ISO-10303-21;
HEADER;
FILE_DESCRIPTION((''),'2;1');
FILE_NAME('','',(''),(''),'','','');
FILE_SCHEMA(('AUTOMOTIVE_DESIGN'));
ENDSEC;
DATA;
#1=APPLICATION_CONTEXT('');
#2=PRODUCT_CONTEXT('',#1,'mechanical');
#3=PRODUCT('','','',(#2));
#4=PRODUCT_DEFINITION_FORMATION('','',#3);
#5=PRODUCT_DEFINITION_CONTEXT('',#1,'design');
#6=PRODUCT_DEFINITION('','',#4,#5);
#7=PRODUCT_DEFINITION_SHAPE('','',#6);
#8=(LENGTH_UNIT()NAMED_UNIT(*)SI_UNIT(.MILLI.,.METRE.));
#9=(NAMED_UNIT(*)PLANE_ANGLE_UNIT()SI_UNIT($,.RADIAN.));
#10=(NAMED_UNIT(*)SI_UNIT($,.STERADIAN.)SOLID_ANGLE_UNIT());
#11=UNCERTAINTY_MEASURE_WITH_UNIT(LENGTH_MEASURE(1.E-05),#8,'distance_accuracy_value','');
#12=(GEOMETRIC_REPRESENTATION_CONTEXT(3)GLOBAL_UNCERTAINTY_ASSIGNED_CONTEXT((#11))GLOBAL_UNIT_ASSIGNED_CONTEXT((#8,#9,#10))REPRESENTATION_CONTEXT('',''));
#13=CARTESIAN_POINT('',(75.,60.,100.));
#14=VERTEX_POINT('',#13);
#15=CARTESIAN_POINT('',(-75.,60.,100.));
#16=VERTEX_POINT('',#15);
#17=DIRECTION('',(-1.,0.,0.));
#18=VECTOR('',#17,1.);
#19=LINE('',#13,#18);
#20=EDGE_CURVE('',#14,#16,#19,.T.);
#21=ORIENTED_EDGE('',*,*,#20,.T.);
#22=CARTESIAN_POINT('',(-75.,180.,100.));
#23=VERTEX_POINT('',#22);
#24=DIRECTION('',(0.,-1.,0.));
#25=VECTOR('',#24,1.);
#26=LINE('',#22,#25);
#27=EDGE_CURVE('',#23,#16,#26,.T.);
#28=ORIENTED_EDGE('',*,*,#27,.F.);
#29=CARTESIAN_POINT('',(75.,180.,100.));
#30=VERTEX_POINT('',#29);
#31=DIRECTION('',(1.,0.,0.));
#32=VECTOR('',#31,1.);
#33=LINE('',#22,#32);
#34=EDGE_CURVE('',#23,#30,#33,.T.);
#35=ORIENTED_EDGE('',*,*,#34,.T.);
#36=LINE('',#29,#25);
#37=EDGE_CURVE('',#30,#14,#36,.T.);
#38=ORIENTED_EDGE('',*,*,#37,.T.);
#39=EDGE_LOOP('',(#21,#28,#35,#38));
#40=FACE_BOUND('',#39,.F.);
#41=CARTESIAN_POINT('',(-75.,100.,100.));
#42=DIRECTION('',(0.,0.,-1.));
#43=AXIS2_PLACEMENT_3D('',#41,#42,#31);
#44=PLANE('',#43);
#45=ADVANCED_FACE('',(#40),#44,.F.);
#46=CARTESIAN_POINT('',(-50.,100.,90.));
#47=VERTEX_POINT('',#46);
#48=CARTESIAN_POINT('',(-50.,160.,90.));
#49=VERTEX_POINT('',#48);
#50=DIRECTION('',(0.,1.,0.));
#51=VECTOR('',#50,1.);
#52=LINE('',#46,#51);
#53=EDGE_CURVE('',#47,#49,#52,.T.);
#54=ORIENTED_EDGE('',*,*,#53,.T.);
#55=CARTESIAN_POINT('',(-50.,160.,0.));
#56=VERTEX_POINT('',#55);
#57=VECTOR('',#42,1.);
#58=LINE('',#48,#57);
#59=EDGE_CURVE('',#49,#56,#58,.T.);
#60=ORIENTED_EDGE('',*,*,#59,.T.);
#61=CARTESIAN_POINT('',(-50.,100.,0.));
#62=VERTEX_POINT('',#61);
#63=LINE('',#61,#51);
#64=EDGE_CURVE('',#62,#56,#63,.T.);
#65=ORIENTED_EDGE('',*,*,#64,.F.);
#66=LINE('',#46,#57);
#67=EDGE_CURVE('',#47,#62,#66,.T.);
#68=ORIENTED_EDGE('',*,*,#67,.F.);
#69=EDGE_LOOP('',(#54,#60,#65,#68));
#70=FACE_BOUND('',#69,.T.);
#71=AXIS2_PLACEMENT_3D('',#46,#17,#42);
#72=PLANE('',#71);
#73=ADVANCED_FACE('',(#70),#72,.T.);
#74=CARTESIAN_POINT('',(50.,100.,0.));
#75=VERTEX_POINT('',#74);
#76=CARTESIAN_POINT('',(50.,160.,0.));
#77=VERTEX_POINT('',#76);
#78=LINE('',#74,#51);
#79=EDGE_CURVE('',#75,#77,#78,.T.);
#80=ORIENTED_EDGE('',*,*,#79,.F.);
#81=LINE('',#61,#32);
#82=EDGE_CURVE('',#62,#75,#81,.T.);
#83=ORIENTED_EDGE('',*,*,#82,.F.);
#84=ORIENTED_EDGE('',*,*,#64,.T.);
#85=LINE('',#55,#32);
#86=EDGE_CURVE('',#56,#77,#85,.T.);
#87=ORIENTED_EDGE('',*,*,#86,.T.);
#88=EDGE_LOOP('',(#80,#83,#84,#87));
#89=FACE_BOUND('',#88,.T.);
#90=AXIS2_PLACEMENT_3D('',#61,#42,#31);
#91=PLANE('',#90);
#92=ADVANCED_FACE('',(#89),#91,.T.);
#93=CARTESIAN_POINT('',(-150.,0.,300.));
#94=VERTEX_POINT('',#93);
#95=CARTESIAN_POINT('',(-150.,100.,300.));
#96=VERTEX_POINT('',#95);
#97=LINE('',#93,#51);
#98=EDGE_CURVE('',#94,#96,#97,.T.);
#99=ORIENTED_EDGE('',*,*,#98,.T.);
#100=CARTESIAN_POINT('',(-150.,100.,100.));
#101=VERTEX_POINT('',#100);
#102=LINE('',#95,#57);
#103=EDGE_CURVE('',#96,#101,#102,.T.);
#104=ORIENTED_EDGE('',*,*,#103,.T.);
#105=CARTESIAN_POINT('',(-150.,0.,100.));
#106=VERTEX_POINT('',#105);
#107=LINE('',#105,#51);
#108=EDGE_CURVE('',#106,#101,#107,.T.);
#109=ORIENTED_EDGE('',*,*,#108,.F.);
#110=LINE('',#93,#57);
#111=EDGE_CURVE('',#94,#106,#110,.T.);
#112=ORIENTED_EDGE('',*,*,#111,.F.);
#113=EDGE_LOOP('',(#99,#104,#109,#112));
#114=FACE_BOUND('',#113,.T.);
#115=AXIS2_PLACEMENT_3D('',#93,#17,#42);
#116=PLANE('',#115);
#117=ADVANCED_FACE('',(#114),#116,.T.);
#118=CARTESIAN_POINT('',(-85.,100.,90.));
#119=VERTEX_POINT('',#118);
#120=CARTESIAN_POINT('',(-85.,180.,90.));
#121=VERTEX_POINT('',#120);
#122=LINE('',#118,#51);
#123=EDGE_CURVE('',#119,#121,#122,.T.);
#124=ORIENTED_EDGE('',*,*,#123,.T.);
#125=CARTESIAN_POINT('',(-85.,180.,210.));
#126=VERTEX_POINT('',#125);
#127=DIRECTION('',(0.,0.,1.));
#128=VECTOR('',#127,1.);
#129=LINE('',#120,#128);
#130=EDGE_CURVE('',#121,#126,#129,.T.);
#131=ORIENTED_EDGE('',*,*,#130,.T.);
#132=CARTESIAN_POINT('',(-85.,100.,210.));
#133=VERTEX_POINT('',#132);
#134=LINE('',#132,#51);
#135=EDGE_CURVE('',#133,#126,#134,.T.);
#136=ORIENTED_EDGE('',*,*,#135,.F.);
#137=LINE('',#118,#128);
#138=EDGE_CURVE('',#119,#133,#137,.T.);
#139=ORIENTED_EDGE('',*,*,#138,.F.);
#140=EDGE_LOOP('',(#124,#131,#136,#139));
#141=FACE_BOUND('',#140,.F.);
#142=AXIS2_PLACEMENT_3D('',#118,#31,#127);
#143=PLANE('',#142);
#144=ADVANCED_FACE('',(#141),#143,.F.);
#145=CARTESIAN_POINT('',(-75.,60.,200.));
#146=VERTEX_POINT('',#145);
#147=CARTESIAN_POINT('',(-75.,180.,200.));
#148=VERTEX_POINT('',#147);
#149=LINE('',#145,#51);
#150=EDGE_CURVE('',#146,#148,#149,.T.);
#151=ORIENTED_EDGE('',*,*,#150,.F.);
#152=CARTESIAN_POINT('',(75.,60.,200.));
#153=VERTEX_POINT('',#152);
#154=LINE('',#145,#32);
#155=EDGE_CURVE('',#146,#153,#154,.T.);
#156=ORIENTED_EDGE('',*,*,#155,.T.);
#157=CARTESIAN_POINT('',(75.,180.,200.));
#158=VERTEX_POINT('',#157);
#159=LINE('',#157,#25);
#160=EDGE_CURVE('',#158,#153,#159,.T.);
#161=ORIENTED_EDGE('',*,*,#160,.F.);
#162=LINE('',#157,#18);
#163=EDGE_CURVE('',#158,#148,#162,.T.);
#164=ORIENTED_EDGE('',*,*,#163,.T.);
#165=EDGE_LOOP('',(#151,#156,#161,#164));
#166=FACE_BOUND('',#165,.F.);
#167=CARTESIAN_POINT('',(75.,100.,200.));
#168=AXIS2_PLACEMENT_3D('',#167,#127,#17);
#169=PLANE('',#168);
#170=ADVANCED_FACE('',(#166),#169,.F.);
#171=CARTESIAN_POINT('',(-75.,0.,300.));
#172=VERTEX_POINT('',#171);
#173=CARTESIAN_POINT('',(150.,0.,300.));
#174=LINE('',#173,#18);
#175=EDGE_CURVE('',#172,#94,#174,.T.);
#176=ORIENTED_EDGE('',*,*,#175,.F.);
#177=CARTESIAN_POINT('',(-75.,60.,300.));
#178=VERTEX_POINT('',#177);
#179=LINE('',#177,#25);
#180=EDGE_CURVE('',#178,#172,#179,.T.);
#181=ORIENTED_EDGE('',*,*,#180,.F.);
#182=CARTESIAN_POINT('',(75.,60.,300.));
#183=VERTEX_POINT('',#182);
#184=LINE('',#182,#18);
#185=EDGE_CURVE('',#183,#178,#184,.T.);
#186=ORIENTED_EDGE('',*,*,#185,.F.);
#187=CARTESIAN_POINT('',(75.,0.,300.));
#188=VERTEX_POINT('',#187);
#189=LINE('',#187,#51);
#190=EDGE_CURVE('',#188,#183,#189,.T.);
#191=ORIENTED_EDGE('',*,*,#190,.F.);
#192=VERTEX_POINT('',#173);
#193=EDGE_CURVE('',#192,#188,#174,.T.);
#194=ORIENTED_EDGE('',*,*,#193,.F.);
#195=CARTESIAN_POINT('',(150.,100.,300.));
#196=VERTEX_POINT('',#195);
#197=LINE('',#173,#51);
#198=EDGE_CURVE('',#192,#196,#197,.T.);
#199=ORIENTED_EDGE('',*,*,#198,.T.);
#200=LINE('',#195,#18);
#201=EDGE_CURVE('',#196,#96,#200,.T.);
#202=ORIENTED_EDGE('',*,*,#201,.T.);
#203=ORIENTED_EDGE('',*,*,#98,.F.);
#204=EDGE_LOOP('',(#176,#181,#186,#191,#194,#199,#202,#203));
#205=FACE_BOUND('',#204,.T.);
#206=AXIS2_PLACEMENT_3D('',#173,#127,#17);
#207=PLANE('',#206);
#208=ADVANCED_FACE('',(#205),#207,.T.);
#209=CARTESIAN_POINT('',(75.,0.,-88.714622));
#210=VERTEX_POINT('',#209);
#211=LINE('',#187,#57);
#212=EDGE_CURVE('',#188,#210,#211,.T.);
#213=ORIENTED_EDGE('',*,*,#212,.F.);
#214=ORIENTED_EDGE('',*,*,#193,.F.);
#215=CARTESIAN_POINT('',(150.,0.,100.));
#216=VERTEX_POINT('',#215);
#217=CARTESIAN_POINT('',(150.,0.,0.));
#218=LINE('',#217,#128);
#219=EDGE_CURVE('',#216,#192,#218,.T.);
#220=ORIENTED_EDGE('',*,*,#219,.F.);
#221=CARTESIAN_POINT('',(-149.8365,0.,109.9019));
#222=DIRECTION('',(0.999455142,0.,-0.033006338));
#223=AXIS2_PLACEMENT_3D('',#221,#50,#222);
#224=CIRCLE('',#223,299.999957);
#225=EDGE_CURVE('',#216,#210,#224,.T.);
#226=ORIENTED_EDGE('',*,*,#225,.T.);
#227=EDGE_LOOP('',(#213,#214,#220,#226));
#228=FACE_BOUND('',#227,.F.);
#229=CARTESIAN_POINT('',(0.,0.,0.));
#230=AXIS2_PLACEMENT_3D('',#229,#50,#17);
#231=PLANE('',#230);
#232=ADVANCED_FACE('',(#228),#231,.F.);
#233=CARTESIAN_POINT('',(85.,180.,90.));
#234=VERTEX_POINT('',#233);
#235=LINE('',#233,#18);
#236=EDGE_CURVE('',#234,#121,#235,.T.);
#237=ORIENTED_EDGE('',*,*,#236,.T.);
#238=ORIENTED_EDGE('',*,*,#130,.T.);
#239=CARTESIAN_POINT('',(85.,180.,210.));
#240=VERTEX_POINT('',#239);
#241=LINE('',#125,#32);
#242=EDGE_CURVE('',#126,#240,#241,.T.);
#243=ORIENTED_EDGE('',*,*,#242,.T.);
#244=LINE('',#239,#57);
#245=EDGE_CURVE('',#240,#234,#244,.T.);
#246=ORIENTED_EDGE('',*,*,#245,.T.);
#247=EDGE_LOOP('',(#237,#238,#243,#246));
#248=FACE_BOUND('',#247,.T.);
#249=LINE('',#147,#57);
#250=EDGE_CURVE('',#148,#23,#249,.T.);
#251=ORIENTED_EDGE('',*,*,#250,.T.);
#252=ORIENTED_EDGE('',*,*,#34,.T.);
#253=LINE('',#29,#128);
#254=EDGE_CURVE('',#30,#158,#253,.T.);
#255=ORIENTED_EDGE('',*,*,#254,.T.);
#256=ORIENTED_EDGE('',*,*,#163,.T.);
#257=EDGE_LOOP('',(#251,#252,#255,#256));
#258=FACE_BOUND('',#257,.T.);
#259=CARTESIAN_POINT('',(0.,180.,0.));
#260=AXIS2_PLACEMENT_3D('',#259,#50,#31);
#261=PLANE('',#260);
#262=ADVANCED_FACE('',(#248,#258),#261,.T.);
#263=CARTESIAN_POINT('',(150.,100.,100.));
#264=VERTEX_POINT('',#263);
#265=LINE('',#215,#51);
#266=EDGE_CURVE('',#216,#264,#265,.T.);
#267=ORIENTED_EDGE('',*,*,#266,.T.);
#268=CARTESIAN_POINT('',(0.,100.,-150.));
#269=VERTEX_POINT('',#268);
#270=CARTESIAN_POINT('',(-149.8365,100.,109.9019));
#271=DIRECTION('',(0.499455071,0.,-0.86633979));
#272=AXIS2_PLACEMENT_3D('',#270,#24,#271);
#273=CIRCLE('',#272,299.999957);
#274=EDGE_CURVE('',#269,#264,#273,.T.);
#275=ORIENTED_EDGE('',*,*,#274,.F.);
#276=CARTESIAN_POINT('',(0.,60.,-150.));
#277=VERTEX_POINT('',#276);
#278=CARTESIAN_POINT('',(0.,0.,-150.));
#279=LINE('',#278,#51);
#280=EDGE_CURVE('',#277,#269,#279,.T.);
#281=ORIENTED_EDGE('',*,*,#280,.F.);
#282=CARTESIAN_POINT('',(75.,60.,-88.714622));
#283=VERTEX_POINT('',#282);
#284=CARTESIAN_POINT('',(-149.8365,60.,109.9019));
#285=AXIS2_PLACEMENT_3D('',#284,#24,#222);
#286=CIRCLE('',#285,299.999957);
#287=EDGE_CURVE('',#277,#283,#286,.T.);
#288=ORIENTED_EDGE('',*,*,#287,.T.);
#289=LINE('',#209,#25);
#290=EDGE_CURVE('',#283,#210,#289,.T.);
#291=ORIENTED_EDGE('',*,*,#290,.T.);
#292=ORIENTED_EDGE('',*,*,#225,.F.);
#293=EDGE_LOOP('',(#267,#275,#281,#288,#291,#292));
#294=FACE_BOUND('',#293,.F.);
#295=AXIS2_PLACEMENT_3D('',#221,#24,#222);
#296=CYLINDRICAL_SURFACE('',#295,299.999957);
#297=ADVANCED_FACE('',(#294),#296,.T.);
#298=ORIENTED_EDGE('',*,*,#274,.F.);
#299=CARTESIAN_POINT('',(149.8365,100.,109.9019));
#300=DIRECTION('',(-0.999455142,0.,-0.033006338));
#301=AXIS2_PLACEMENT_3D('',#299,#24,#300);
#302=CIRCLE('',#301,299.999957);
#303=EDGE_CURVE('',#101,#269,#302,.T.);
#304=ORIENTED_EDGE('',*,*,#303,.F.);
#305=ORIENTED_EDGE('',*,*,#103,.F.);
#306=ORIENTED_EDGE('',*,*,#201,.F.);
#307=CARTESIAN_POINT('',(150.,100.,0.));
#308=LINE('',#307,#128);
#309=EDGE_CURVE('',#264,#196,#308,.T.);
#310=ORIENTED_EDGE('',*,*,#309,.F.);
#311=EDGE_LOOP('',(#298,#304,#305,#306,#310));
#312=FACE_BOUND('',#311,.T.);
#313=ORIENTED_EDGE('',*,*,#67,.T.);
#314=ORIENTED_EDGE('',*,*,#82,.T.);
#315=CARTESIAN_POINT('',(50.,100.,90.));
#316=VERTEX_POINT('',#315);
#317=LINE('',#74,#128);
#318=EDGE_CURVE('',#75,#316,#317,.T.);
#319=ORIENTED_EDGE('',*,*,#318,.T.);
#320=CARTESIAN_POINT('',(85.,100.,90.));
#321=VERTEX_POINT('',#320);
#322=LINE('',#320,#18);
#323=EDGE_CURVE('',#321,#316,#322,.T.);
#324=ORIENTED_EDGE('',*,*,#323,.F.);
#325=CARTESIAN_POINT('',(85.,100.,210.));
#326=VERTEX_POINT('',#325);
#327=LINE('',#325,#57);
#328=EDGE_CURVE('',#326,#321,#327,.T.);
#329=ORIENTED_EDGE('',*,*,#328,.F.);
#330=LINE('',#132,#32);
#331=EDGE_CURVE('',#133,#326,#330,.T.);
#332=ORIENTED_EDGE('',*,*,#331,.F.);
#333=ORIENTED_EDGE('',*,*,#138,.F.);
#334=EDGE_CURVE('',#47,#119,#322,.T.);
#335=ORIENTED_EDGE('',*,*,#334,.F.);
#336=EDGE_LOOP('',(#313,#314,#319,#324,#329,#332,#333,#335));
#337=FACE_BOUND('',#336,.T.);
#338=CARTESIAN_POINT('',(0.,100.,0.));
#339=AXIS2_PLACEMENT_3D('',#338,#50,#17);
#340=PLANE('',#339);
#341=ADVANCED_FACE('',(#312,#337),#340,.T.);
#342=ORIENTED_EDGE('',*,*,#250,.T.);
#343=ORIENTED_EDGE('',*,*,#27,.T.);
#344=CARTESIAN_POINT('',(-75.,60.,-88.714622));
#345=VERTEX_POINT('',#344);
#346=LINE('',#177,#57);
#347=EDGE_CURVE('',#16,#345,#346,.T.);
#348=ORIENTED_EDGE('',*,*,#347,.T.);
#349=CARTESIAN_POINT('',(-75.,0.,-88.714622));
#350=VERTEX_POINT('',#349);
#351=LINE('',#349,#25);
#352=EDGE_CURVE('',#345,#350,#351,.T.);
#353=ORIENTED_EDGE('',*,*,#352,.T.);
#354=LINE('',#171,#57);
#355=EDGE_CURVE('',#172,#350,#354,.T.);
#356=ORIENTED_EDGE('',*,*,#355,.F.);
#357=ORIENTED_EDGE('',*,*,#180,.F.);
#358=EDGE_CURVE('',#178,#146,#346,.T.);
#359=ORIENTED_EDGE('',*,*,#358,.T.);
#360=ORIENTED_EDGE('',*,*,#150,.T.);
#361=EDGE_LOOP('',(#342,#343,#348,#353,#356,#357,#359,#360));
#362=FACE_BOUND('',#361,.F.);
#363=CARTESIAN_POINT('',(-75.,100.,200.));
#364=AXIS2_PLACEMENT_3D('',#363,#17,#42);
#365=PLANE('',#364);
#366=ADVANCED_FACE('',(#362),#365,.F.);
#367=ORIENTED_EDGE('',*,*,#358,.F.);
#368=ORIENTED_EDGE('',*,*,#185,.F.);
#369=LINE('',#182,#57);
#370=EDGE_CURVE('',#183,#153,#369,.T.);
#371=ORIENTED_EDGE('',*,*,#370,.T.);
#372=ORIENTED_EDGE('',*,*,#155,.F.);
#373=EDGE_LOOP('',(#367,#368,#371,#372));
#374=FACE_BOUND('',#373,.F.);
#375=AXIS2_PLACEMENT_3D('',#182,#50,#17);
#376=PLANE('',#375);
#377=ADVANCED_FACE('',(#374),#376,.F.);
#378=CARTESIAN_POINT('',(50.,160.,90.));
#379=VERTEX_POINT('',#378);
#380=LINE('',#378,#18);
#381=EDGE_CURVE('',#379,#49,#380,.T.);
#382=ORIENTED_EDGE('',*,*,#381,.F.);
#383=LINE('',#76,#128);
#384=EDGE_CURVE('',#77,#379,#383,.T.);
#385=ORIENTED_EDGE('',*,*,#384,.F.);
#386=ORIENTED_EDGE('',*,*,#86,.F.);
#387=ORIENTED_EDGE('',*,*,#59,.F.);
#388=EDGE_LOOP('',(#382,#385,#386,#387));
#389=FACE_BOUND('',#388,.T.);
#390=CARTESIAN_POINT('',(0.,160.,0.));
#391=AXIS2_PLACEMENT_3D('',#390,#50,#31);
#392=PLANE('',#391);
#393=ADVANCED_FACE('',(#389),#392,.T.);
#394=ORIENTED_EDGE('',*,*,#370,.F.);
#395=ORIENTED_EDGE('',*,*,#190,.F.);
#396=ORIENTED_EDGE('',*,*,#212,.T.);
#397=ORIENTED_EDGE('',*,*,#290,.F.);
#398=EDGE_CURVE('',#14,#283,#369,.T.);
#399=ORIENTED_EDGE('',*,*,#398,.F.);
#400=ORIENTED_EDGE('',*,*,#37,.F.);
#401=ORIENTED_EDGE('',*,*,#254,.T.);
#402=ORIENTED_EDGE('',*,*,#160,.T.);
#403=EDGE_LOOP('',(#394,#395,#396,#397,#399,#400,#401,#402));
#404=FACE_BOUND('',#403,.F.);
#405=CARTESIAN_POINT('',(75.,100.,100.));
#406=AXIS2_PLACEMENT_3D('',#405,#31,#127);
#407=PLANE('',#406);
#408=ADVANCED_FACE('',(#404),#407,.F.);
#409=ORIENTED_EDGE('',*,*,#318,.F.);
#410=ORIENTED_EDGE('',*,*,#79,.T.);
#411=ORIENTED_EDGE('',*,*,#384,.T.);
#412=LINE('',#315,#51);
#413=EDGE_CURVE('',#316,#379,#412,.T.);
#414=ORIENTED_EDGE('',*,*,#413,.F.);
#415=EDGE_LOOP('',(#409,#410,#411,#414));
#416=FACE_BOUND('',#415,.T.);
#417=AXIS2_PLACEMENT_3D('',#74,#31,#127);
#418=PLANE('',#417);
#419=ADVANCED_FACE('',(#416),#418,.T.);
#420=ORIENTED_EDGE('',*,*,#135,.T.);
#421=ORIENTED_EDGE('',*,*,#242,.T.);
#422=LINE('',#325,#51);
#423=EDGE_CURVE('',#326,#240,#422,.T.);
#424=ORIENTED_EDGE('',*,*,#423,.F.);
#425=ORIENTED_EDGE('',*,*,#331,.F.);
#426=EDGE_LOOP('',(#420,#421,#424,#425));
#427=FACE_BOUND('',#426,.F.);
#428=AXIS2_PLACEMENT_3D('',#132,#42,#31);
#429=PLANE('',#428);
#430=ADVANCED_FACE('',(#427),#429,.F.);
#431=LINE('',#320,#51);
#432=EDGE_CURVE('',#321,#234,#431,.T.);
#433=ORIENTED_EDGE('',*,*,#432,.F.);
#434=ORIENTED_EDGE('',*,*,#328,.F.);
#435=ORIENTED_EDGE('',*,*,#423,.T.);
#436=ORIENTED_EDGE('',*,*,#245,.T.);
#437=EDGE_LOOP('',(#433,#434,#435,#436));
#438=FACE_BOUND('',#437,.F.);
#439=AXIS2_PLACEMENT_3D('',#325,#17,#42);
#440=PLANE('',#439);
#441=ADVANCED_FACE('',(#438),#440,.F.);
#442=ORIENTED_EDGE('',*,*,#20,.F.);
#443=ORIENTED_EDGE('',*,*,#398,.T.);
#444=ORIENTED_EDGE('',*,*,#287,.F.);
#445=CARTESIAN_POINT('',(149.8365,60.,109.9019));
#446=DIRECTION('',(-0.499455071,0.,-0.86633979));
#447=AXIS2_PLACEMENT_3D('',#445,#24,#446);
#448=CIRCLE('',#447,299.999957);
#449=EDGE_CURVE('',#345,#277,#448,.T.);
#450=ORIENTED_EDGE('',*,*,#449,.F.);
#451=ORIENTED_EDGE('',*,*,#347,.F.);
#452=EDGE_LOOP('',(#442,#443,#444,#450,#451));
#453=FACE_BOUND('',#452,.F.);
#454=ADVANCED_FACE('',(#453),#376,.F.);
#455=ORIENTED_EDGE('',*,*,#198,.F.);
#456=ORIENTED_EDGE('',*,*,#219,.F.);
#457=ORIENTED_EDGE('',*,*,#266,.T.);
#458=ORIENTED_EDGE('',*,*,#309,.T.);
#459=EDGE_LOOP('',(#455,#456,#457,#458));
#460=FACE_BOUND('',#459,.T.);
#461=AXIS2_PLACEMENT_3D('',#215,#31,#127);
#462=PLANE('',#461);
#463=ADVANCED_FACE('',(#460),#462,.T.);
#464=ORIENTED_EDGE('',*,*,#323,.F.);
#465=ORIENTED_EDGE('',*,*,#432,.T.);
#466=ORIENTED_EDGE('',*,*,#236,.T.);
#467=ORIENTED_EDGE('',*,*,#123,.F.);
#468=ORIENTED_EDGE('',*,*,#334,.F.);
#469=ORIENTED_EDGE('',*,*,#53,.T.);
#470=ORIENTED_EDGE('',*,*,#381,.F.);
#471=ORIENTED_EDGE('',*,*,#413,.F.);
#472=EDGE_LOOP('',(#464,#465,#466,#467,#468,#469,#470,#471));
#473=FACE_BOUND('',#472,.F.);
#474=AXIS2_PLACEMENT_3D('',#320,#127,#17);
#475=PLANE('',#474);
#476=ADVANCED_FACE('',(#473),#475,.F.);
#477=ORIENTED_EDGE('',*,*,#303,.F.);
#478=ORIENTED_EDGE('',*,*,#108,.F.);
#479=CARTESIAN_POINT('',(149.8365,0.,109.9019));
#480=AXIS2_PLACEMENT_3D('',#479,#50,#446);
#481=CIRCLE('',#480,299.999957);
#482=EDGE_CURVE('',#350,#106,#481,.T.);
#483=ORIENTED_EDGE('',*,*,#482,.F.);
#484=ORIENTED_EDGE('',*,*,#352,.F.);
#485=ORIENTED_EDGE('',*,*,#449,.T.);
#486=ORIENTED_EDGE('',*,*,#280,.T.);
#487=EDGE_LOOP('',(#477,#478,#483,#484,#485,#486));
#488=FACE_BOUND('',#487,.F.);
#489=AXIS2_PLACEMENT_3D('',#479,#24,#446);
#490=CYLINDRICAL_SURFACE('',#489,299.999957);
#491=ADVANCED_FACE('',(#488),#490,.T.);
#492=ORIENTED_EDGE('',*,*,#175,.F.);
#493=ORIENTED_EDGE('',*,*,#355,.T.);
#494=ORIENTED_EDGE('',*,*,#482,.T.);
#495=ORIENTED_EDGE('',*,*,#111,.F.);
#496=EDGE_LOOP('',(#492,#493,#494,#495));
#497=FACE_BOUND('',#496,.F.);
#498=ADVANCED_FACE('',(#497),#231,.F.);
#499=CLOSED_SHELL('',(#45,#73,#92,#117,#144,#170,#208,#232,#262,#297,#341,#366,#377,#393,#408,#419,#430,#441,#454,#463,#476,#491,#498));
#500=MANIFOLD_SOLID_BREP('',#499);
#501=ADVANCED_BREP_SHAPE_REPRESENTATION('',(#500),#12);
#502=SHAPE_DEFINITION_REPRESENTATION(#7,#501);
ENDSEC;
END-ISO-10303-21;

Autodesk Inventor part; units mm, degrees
ref_plane "YZ Plane" through (0, 0, 0) normal (1, 0, 0) x (0, 1, 0)
ref_plane "XZ Plane" through (0, 0, 0) normal (0, 1, 0) x (-1, 0, 0)
ref_plane "XY Plane" through (0, 0, 0) normal (0, 0, 1) x (1, 0, 0)
sketch "Sketch3" plane through (0, 0, 0) normal (0, 1, 0) x (-1, 0, 0)
  line L0 (150, 0) -> (-150, 0)
  line L1 (-150, 0) -> (-150, 300)
  line L2 (-150, 300) -> (150, 300)
  line L3 (150, 300) -> (150, 0)
  circle A0 centre (0, 0) radius 150
  arc A1 (0, -150) -> (150, 100) centre (-149.8365, 109.9019) ccw
  arc A2 (-150, 100) -> (0, -150) centre (149.8365, 109.9019) ccw
  dimension "d6" = 300
  dimension "d7" = 300
  dimension "d8" = 100
  dimension "d9" = 100
  dimension "d10" = 300
  dimension "d11" = 300
extrude "Extrusion2" add sketch "Sketch3" along normal blind 100 contours A1 A2 L0 | L0 A2 A0 A1 | A1 A0 A2 L1 L2 L3
sketch "Sketch4" plane through (-150, 0, 300) normal (0, 0, 1) x (1, 0, 0)
  line L0 (75, 0) -> (225, 0)
  line L1 (225, 0) -> (225, 60)
  line L2 (225, 60) -> (75, 60)
  line L3 (75, 60) -> (75, 0)
  line L4 (0, 0) -> (300, 0) projected
  point P0 (150, 0)
  point P1 (150, 0)
  dimension "d14" = 60
  dimension "d15" = 150
extrude "Extrusion3" cut sketch "Sketch4" against normal through all
sketch "Sketch5" plane through (-75, 60, 300) normal (0, -1, 0) x (1, 0, 0)
  line L0 (0, -388.7146) -> (0, 0) projected
  line L1 (150, 0) -> (150, -388.7146) projected
  line L2 (0, -100) -> (150, -100)
  line L3 (150, -100) -> (150, -200)
  line L4 (150, -200) -> (0, -200)
  line L5 (0, -200) -> (0, -100)
  point P0 (75, -300)
  dimension "d18" = 100
  dimension "d19" = 100
extrude "Extrusion4" cut sketch "Sketch5" against normal through all
sketch "Sketch6" plane through (0, 100, 0) normal (0, 1, 0) x (1, 0, 0)
  line L0 (-75, -200) -> (-75, -100) projected
  line L1 (-75, -100) -> (75, -100) projected
  line L2 (75, -100) -> (75, -200) projected
  line L3 (75, -200) -> (-75, -200) projected
  line L4 (-150, -100) -> (-150, -300) projected
  line L5 (-150, -300) -> (150, -300) projected
  line L6 (150, -300) -> (150, -100) projected
  arc A0 (150, -100) -> (0, 150) centre (-149.8365, -109.9019) ccw projected
  arc A1 (0, 150) -> (-150, -100) centre (149.8365, -109.9019) ccw projected
  line L7 (85, -90) -> (-85, -90)
  line L8 (-85, -90) -> (-85, -210)
  line L9 (-85, -210) -> (85, -210)
  line L10 (85, -210) -> (85, -90)
  point P0 (0, 0)
  dimension "d22" = 10
extrude "Extrusion5" add sketch "Sketch6" along normal blind 80 contours L10 L9 L8 L7
sketch "Sketch7" plane through (0, 100, 0) normal (0, 1, 0) x (1, 0, 0)
  line L0 (85, -90) -> (-85, -90) construction
  line L1 (50, -90) -> (-50, -90)
  line L2 (-50, -90) -> (-50, 0)
  line L3 (-50, 0) -> (50, 0)
  line L4 (50, 0) -> (50, -90)
  point P0 (0, 0)
  point P1 (0, -90)
  point P2 (0, 0)
  dimension "d25" = 100
extrude "Extrusion6" add sketch "Sketch7" along normal blind 60
properties part number "GeneralCraftShape3"
